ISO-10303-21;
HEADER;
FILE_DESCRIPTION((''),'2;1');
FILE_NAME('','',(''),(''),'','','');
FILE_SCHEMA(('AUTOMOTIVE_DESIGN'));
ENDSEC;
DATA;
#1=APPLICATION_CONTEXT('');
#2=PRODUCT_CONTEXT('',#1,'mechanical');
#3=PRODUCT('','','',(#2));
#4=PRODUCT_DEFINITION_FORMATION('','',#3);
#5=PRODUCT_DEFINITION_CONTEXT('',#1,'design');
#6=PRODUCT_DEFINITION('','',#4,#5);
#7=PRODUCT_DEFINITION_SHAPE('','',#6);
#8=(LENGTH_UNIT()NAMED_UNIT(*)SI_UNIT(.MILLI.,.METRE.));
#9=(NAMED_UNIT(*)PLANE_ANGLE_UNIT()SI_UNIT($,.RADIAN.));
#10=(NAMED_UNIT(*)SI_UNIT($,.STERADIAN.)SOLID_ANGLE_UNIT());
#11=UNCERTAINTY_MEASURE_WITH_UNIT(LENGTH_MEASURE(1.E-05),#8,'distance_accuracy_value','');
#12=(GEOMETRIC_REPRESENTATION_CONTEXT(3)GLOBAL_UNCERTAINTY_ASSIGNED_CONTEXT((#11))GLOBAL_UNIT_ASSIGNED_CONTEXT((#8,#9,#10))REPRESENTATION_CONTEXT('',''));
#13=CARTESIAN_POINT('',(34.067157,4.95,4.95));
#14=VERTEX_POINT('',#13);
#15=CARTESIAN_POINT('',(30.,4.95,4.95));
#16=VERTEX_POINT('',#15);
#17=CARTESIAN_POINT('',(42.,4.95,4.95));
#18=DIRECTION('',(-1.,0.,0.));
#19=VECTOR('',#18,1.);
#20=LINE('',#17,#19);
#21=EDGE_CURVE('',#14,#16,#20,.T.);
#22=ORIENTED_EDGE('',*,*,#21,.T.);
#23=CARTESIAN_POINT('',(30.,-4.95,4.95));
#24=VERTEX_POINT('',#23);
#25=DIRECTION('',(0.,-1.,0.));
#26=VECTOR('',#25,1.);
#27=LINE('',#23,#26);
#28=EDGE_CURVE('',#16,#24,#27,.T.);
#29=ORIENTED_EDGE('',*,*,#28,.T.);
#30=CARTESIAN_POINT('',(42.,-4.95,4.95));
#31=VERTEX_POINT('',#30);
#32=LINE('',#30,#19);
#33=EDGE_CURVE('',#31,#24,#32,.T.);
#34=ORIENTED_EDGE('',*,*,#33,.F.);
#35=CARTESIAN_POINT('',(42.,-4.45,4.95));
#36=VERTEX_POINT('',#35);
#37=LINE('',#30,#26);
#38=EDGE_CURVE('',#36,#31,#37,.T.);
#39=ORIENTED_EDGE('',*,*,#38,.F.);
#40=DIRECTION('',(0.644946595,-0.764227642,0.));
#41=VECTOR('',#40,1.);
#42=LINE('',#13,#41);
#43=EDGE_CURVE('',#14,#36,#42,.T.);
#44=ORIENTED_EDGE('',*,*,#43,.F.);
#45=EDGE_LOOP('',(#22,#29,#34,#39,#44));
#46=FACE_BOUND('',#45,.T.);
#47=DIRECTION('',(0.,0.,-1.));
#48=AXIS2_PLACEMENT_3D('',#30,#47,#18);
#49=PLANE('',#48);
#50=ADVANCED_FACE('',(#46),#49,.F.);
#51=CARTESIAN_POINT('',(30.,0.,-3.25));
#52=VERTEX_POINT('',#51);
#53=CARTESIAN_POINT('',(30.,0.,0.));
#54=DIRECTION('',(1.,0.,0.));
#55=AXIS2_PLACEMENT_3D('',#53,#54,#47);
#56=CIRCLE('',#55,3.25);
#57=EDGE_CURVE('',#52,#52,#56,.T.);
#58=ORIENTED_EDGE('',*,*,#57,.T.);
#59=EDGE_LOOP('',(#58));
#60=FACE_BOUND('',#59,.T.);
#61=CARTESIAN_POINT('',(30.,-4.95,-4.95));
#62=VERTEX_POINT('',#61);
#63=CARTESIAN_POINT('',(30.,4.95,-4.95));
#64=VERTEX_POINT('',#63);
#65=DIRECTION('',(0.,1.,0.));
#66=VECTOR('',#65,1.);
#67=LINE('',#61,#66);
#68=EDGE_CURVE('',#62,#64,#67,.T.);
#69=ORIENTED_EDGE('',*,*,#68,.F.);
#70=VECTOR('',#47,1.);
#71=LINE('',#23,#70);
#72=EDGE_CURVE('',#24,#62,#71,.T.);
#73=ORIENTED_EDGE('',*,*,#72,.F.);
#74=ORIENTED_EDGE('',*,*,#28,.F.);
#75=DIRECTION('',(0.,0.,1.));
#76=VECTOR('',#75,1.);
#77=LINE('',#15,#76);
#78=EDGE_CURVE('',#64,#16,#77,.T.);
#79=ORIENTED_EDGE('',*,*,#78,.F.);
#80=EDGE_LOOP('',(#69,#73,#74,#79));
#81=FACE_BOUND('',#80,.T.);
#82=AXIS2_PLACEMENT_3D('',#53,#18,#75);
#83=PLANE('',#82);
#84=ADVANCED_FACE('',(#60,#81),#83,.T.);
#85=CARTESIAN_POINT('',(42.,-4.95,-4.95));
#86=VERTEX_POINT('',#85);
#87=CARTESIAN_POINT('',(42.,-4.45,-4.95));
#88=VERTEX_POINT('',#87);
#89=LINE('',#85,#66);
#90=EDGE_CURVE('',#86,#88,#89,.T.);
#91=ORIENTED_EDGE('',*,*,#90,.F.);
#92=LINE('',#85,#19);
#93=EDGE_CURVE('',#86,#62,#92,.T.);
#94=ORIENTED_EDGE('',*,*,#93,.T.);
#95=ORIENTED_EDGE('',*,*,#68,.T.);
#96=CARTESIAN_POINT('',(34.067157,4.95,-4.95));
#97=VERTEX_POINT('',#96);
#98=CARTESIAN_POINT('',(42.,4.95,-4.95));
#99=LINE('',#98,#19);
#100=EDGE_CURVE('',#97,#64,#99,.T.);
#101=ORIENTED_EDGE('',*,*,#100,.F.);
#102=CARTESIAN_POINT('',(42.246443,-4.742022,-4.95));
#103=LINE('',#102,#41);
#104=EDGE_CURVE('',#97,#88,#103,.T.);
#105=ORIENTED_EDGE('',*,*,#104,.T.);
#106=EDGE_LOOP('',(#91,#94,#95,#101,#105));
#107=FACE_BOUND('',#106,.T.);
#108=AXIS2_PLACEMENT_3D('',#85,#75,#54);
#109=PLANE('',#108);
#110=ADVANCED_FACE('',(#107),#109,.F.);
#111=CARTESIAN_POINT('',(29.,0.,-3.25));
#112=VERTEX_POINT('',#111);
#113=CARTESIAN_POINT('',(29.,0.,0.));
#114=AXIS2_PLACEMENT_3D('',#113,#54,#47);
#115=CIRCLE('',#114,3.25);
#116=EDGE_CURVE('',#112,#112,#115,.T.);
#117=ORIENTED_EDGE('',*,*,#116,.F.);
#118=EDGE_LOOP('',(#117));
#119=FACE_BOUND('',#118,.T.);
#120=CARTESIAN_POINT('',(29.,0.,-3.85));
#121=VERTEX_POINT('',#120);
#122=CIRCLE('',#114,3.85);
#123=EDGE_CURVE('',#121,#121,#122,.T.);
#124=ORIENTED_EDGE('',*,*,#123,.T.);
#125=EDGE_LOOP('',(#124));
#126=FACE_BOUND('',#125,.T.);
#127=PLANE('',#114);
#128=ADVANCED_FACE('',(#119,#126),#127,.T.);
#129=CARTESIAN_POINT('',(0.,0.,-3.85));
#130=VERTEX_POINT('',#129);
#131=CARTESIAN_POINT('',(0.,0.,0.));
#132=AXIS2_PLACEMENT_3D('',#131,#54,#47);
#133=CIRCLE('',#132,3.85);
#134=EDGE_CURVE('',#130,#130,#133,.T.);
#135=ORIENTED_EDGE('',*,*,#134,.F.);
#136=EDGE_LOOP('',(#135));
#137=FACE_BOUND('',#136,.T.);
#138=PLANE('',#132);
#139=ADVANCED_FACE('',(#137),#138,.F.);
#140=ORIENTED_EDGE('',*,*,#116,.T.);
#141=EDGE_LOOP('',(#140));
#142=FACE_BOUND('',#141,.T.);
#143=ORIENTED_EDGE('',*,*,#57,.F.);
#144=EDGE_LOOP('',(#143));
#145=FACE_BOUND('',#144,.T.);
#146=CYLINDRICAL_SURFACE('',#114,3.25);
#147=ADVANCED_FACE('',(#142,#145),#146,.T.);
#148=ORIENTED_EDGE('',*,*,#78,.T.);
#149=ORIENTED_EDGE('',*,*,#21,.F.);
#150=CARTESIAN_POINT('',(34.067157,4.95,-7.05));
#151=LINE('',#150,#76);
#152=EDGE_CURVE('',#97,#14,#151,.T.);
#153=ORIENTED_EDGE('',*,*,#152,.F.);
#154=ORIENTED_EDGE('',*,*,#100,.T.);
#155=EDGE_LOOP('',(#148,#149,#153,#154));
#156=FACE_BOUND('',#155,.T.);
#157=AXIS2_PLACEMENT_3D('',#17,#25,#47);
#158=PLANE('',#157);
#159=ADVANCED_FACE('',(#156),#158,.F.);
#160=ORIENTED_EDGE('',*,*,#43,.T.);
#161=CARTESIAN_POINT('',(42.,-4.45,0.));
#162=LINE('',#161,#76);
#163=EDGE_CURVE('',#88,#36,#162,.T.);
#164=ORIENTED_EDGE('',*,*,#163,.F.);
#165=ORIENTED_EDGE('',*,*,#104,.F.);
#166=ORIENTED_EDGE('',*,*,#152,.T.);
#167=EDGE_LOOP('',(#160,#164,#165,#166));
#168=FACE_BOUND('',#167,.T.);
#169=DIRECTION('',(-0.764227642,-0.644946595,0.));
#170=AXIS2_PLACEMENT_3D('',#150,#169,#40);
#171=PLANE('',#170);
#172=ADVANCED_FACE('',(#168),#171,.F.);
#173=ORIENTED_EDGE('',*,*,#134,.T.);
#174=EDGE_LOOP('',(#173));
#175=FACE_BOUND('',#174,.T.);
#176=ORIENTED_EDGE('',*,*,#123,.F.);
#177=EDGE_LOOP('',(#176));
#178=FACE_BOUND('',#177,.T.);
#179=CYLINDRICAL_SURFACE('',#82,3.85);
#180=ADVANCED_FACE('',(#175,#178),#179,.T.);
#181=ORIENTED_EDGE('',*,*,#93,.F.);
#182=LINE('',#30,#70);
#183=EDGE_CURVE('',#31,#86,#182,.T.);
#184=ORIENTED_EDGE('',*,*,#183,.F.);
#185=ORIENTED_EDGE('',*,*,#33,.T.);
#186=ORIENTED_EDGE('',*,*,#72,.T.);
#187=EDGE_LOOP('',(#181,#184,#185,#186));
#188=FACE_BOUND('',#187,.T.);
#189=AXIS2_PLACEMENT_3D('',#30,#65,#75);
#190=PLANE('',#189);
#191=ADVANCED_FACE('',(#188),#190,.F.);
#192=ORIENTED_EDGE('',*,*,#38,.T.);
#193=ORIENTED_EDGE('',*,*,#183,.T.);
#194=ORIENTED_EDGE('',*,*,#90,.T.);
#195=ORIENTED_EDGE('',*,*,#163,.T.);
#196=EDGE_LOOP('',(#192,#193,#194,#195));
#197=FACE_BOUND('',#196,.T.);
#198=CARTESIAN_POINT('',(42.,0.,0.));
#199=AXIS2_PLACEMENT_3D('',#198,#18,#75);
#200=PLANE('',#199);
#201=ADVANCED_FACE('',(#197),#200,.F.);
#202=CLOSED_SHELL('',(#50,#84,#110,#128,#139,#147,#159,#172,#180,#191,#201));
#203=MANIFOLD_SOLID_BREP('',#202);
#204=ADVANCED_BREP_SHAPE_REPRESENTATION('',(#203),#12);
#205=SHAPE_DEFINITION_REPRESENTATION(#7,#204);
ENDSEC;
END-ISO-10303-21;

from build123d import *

# Parameters (mm, degrees)
SKETCH1_R           = 3.85
BOSS_EXTRUDE1_DEPTH = 30
SKETCH2_R           = 3.85
SKETCH2_R_2         = 3.25
CUT_EXTRUDE1_DEPTH  = 1
SKETCH3_W           = 9.9
SKETCH3_H           = 9.9
BOSS_EXTRUDE2_DEPTH = 12
CUT_EXTRUDE2_DEPTH  = 12


with BuildPart() as part:
    # Sketch1 → Boss-Extrude1 (new body)
    with BuildSketch(Plane(origin=(0, 0, 0), x_dir=(0, 0, -1), z_dir=(1, 0, 0))):
        Circle(SKETCH1_R)
    extrude(amount=BOSS_EXTRUDE1_DEPTH)

    # Sketch2 → Cut-Extrude1 (cut)
    with BuildSketch(Plane(origin=(30, 0, 0), x_dir=(0, 0, -1), z_dir=(1, 0, 0))):
        Circle(SKETCH2_R)
        Circle(SKETCH2_R_2, mode=Mode.SUBTRACT)
    extrude(amount=-CUT_EXTRUDE1_DEPTH, mode=Mode.SUBTRACT)

    # Sketch3 → Boss-Extrude2 (add)
    with BuildSketch(Plane(origin=(30, 0, 0), x_dir=(0, 0, -1), z_dir=(1, 0, 0))):
        Rectangle(SKETCH3_W, SKETCH3_H)
    extrude(amount=BOSS_EXTRUDE2_DEPTH)

    # Sketch4 → Cut-Extrude2 (cut)
    with BuildSketch(Plane.XY.offset(4.95)):
        Polygon((34.067156878, 4.95), (42, -4.45), (42, 4.95), align=None)
    extrude(amount=-CUT_EXTRUDE2_DEPTH, mode=Mode.SUBTRACT)


solid = part.part
